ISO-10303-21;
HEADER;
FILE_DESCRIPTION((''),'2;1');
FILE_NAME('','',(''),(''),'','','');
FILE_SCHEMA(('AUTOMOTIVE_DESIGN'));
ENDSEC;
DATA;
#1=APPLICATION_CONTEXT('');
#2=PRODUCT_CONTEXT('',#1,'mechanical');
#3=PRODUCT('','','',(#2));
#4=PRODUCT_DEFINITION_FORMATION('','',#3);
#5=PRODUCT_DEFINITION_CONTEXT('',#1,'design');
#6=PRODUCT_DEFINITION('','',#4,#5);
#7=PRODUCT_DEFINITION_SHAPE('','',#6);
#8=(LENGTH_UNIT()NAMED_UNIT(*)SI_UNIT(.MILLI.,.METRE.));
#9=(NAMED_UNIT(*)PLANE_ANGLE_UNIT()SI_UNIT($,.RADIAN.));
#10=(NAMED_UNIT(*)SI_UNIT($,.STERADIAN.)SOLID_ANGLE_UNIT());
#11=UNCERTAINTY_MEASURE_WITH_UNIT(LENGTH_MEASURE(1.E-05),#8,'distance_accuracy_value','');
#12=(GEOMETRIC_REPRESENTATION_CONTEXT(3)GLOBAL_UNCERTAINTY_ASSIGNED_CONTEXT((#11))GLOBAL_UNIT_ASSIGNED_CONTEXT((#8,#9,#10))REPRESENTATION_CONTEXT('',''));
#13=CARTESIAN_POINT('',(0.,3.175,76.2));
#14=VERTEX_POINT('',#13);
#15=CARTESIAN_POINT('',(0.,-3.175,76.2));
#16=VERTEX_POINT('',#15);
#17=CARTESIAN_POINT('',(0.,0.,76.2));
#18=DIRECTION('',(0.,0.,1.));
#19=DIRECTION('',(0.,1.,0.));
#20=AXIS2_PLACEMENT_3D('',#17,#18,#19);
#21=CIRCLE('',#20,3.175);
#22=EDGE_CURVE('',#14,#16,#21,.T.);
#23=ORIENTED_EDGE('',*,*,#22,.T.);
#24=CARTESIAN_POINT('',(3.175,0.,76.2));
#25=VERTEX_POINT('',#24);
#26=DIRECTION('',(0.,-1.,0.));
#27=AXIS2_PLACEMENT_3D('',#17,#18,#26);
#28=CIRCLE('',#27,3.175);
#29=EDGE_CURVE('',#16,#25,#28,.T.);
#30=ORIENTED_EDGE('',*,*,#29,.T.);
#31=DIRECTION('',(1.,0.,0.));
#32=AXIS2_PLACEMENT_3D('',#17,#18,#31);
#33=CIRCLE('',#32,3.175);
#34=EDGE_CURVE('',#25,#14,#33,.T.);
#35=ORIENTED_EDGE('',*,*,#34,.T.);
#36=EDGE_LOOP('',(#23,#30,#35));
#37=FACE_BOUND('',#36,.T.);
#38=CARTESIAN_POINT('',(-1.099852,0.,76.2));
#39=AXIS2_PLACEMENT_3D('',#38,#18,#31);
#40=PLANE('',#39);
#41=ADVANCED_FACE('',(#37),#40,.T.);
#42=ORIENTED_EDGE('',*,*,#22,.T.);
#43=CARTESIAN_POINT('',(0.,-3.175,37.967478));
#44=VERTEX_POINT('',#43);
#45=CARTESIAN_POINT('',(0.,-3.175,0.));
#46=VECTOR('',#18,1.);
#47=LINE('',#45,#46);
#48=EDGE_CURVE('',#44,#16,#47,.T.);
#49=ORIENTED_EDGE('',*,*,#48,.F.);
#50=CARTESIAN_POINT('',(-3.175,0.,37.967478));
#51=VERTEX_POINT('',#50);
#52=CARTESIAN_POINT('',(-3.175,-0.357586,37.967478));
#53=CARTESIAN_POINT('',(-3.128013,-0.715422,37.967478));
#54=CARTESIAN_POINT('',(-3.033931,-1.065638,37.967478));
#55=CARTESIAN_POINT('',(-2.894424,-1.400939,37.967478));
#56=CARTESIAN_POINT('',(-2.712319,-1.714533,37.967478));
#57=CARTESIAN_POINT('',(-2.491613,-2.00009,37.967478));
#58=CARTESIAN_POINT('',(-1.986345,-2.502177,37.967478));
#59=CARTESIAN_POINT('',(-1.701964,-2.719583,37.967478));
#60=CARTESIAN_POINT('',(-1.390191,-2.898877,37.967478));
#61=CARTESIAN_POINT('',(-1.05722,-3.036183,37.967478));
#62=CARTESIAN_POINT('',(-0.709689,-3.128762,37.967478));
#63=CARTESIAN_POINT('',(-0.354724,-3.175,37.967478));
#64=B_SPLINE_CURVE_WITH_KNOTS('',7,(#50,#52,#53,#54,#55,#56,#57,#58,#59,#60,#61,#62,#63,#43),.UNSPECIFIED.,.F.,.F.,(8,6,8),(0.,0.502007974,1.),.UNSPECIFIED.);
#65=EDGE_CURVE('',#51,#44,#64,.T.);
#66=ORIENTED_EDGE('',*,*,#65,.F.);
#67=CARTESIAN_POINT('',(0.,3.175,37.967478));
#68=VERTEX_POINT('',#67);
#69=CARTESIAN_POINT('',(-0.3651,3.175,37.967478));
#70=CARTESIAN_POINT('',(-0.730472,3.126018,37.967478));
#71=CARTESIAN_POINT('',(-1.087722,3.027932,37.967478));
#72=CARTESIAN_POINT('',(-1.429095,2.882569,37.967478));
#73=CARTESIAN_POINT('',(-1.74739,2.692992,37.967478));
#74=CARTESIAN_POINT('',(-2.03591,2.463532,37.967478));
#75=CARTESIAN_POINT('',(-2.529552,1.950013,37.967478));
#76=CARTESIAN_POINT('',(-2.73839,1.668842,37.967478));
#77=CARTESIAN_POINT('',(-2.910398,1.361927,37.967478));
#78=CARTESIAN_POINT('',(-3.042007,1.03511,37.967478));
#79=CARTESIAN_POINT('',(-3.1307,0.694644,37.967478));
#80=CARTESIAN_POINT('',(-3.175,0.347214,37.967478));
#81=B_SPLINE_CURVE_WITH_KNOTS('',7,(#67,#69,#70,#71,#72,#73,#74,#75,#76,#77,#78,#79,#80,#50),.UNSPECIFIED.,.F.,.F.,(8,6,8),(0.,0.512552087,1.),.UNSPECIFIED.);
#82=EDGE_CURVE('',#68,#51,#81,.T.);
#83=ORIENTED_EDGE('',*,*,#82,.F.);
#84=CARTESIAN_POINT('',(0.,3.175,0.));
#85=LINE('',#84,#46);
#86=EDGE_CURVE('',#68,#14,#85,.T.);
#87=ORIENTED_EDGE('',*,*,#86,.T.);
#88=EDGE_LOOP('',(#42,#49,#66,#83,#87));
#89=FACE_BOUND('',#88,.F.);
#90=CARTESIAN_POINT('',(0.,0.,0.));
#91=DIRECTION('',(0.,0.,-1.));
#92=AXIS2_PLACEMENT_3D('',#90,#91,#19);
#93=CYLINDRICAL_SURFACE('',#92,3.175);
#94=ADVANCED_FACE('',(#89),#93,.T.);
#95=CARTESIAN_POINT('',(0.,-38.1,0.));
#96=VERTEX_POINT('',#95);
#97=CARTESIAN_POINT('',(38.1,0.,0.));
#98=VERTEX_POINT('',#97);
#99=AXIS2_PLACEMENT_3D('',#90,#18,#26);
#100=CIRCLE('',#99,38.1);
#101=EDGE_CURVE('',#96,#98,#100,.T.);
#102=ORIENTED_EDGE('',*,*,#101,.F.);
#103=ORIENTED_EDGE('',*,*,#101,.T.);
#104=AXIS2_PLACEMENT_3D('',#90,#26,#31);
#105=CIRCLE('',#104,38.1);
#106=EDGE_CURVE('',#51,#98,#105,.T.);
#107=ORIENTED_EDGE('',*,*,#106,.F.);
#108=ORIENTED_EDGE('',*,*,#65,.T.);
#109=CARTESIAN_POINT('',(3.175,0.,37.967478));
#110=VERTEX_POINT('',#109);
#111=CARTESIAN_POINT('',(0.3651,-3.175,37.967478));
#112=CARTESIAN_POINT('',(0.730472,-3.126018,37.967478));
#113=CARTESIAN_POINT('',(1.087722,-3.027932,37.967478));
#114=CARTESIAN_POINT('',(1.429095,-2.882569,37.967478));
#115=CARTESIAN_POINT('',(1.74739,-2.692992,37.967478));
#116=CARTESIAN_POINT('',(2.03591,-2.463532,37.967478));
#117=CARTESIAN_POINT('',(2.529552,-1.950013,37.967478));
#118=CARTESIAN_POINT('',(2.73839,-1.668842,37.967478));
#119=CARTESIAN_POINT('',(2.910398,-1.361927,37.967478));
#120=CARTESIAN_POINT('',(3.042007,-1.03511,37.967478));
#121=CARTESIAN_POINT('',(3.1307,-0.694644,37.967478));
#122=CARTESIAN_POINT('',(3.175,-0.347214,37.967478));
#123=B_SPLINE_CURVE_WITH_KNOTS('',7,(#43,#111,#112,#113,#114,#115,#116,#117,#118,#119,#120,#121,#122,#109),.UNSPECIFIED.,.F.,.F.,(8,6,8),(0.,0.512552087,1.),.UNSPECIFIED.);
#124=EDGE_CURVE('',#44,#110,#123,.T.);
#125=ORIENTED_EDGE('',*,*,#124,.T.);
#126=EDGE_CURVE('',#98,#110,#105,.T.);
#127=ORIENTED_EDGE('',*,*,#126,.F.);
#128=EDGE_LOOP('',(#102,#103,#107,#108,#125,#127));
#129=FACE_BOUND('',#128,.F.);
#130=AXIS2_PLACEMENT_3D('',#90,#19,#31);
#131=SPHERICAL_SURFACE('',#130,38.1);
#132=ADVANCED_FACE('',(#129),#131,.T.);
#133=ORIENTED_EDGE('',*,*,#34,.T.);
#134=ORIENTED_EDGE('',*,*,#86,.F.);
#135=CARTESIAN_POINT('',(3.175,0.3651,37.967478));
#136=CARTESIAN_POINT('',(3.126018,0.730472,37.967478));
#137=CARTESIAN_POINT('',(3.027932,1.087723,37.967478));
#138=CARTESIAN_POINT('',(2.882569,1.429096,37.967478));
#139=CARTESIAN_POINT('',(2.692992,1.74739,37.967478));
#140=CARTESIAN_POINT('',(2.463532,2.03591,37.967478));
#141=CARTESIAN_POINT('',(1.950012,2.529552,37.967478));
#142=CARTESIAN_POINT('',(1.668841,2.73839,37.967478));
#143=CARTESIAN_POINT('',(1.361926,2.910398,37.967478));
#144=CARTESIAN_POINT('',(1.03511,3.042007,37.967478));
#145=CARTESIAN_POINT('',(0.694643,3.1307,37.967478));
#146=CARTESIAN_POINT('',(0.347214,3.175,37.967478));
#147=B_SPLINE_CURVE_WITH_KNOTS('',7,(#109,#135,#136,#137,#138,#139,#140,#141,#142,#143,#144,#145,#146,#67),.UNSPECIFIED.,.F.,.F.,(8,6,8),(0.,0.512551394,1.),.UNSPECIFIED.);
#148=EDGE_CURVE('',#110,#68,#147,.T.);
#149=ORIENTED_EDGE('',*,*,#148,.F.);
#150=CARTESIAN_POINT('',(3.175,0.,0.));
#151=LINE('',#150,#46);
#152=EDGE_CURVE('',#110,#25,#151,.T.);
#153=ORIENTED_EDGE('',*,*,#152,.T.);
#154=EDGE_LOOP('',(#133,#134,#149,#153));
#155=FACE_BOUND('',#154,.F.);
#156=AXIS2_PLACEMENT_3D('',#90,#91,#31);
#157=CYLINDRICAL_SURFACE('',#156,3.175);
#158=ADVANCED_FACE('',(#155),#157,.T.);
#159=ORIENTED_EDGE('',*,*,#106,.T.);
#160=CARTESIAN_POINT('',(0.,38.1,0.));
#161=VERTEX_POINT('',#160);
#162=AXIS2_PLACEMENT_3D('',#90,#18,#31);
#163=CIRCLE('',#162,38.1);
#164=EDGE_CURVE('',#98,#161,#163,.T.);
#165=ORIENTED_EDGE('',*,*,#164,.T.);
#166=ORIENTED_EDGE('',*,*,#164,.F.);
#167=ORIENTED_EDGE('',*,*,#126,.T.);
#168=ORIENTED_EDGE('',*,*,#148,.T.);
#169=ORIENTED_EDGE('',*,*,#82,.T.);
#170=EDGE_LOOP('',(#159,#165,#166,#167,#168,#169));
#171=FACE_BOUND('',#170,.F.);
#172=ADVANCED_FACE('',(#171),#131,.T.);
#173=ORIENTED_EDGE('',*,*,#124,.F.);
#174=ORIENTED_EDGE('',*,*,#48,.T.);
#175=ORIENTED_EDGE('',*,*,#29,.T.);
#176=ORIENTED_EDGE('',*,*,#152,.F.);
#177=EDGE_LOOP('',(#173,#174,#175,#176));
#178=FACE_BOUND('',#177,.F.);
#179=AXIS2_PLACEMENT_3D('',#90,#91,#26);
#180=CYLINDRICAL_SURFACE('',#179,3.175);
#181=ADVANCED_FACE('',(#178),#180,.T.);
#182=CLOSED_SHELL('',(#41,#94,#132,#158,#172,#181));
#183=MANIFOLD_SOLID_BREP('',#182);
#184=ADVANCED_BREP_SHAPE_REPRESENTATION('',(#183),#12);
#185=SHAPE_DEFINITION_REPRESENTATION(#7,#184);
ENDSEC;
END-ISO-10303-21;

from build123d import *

# Parameters (mm, degrees)
F2_DEPTH = 76.2


with BuildPart() as f1:
    # F0 (on Top) → F1 (revolve)
    with BuildSketch(Plane.XY):
        with BuildLine():
            ThreePointArc((3.175, 0), (2.2450640303, 2.2450640303), (0, 3.175))
            Line((0, 3.175), (0, 0))
            Line((0, 0), (0, -3.175))
            ThreePointArc((0, -3.175), (2.2450640303, -2.2450640303), (3.175, 0))
        make_face()
        with BuildLine():
            ThreePointArc((0, -38.1), (26.9407683632, -26.9407683632), (38.1, 0))
            ThreePointArc((38.1, 0), (26.9407683632, 26.9407683632), (0, 38.1))
            Line((0, 38.1), (0, 3.175))
            ThreePointArc((0, 3.175), (2.2450640303, 2.2450640303), (3.175, 0))
            ThreePointArc((3.175, 0), (2.2450640303, -2.2450640303), (0, -3.175))
            Line((0, -3.175), (0, -38.1))
        make_face()
    revolve(axis=Axis((0, -19.05, 0), (0, -1, 0)))

    # F0 (on Top) → F2 (join)
    with BuildSketch(Plane.XY):
        with BuildLine():
            Line((0, 0), (0, 3.175))
            ThreePointArc((0, 3.175), (-3.175, 0), (0, -3.175))
            Line((0, -3.175), (0, 0))
        make_face()
        with BuildLine():
            ThreePointArc((3.175, 0), (2.2450640303, 2.2450640303), (0, 3.175))
            Line((0, 3.175), (0, 0))
            Line((0, 0), (0, -3.175))
            ThreePointArc((0, -3.175), (2.2450640303, -2.2450640303), (3.175, 0))
        make_face()
    extrude(amount=F2_DEPTH)


solid = f1.part
